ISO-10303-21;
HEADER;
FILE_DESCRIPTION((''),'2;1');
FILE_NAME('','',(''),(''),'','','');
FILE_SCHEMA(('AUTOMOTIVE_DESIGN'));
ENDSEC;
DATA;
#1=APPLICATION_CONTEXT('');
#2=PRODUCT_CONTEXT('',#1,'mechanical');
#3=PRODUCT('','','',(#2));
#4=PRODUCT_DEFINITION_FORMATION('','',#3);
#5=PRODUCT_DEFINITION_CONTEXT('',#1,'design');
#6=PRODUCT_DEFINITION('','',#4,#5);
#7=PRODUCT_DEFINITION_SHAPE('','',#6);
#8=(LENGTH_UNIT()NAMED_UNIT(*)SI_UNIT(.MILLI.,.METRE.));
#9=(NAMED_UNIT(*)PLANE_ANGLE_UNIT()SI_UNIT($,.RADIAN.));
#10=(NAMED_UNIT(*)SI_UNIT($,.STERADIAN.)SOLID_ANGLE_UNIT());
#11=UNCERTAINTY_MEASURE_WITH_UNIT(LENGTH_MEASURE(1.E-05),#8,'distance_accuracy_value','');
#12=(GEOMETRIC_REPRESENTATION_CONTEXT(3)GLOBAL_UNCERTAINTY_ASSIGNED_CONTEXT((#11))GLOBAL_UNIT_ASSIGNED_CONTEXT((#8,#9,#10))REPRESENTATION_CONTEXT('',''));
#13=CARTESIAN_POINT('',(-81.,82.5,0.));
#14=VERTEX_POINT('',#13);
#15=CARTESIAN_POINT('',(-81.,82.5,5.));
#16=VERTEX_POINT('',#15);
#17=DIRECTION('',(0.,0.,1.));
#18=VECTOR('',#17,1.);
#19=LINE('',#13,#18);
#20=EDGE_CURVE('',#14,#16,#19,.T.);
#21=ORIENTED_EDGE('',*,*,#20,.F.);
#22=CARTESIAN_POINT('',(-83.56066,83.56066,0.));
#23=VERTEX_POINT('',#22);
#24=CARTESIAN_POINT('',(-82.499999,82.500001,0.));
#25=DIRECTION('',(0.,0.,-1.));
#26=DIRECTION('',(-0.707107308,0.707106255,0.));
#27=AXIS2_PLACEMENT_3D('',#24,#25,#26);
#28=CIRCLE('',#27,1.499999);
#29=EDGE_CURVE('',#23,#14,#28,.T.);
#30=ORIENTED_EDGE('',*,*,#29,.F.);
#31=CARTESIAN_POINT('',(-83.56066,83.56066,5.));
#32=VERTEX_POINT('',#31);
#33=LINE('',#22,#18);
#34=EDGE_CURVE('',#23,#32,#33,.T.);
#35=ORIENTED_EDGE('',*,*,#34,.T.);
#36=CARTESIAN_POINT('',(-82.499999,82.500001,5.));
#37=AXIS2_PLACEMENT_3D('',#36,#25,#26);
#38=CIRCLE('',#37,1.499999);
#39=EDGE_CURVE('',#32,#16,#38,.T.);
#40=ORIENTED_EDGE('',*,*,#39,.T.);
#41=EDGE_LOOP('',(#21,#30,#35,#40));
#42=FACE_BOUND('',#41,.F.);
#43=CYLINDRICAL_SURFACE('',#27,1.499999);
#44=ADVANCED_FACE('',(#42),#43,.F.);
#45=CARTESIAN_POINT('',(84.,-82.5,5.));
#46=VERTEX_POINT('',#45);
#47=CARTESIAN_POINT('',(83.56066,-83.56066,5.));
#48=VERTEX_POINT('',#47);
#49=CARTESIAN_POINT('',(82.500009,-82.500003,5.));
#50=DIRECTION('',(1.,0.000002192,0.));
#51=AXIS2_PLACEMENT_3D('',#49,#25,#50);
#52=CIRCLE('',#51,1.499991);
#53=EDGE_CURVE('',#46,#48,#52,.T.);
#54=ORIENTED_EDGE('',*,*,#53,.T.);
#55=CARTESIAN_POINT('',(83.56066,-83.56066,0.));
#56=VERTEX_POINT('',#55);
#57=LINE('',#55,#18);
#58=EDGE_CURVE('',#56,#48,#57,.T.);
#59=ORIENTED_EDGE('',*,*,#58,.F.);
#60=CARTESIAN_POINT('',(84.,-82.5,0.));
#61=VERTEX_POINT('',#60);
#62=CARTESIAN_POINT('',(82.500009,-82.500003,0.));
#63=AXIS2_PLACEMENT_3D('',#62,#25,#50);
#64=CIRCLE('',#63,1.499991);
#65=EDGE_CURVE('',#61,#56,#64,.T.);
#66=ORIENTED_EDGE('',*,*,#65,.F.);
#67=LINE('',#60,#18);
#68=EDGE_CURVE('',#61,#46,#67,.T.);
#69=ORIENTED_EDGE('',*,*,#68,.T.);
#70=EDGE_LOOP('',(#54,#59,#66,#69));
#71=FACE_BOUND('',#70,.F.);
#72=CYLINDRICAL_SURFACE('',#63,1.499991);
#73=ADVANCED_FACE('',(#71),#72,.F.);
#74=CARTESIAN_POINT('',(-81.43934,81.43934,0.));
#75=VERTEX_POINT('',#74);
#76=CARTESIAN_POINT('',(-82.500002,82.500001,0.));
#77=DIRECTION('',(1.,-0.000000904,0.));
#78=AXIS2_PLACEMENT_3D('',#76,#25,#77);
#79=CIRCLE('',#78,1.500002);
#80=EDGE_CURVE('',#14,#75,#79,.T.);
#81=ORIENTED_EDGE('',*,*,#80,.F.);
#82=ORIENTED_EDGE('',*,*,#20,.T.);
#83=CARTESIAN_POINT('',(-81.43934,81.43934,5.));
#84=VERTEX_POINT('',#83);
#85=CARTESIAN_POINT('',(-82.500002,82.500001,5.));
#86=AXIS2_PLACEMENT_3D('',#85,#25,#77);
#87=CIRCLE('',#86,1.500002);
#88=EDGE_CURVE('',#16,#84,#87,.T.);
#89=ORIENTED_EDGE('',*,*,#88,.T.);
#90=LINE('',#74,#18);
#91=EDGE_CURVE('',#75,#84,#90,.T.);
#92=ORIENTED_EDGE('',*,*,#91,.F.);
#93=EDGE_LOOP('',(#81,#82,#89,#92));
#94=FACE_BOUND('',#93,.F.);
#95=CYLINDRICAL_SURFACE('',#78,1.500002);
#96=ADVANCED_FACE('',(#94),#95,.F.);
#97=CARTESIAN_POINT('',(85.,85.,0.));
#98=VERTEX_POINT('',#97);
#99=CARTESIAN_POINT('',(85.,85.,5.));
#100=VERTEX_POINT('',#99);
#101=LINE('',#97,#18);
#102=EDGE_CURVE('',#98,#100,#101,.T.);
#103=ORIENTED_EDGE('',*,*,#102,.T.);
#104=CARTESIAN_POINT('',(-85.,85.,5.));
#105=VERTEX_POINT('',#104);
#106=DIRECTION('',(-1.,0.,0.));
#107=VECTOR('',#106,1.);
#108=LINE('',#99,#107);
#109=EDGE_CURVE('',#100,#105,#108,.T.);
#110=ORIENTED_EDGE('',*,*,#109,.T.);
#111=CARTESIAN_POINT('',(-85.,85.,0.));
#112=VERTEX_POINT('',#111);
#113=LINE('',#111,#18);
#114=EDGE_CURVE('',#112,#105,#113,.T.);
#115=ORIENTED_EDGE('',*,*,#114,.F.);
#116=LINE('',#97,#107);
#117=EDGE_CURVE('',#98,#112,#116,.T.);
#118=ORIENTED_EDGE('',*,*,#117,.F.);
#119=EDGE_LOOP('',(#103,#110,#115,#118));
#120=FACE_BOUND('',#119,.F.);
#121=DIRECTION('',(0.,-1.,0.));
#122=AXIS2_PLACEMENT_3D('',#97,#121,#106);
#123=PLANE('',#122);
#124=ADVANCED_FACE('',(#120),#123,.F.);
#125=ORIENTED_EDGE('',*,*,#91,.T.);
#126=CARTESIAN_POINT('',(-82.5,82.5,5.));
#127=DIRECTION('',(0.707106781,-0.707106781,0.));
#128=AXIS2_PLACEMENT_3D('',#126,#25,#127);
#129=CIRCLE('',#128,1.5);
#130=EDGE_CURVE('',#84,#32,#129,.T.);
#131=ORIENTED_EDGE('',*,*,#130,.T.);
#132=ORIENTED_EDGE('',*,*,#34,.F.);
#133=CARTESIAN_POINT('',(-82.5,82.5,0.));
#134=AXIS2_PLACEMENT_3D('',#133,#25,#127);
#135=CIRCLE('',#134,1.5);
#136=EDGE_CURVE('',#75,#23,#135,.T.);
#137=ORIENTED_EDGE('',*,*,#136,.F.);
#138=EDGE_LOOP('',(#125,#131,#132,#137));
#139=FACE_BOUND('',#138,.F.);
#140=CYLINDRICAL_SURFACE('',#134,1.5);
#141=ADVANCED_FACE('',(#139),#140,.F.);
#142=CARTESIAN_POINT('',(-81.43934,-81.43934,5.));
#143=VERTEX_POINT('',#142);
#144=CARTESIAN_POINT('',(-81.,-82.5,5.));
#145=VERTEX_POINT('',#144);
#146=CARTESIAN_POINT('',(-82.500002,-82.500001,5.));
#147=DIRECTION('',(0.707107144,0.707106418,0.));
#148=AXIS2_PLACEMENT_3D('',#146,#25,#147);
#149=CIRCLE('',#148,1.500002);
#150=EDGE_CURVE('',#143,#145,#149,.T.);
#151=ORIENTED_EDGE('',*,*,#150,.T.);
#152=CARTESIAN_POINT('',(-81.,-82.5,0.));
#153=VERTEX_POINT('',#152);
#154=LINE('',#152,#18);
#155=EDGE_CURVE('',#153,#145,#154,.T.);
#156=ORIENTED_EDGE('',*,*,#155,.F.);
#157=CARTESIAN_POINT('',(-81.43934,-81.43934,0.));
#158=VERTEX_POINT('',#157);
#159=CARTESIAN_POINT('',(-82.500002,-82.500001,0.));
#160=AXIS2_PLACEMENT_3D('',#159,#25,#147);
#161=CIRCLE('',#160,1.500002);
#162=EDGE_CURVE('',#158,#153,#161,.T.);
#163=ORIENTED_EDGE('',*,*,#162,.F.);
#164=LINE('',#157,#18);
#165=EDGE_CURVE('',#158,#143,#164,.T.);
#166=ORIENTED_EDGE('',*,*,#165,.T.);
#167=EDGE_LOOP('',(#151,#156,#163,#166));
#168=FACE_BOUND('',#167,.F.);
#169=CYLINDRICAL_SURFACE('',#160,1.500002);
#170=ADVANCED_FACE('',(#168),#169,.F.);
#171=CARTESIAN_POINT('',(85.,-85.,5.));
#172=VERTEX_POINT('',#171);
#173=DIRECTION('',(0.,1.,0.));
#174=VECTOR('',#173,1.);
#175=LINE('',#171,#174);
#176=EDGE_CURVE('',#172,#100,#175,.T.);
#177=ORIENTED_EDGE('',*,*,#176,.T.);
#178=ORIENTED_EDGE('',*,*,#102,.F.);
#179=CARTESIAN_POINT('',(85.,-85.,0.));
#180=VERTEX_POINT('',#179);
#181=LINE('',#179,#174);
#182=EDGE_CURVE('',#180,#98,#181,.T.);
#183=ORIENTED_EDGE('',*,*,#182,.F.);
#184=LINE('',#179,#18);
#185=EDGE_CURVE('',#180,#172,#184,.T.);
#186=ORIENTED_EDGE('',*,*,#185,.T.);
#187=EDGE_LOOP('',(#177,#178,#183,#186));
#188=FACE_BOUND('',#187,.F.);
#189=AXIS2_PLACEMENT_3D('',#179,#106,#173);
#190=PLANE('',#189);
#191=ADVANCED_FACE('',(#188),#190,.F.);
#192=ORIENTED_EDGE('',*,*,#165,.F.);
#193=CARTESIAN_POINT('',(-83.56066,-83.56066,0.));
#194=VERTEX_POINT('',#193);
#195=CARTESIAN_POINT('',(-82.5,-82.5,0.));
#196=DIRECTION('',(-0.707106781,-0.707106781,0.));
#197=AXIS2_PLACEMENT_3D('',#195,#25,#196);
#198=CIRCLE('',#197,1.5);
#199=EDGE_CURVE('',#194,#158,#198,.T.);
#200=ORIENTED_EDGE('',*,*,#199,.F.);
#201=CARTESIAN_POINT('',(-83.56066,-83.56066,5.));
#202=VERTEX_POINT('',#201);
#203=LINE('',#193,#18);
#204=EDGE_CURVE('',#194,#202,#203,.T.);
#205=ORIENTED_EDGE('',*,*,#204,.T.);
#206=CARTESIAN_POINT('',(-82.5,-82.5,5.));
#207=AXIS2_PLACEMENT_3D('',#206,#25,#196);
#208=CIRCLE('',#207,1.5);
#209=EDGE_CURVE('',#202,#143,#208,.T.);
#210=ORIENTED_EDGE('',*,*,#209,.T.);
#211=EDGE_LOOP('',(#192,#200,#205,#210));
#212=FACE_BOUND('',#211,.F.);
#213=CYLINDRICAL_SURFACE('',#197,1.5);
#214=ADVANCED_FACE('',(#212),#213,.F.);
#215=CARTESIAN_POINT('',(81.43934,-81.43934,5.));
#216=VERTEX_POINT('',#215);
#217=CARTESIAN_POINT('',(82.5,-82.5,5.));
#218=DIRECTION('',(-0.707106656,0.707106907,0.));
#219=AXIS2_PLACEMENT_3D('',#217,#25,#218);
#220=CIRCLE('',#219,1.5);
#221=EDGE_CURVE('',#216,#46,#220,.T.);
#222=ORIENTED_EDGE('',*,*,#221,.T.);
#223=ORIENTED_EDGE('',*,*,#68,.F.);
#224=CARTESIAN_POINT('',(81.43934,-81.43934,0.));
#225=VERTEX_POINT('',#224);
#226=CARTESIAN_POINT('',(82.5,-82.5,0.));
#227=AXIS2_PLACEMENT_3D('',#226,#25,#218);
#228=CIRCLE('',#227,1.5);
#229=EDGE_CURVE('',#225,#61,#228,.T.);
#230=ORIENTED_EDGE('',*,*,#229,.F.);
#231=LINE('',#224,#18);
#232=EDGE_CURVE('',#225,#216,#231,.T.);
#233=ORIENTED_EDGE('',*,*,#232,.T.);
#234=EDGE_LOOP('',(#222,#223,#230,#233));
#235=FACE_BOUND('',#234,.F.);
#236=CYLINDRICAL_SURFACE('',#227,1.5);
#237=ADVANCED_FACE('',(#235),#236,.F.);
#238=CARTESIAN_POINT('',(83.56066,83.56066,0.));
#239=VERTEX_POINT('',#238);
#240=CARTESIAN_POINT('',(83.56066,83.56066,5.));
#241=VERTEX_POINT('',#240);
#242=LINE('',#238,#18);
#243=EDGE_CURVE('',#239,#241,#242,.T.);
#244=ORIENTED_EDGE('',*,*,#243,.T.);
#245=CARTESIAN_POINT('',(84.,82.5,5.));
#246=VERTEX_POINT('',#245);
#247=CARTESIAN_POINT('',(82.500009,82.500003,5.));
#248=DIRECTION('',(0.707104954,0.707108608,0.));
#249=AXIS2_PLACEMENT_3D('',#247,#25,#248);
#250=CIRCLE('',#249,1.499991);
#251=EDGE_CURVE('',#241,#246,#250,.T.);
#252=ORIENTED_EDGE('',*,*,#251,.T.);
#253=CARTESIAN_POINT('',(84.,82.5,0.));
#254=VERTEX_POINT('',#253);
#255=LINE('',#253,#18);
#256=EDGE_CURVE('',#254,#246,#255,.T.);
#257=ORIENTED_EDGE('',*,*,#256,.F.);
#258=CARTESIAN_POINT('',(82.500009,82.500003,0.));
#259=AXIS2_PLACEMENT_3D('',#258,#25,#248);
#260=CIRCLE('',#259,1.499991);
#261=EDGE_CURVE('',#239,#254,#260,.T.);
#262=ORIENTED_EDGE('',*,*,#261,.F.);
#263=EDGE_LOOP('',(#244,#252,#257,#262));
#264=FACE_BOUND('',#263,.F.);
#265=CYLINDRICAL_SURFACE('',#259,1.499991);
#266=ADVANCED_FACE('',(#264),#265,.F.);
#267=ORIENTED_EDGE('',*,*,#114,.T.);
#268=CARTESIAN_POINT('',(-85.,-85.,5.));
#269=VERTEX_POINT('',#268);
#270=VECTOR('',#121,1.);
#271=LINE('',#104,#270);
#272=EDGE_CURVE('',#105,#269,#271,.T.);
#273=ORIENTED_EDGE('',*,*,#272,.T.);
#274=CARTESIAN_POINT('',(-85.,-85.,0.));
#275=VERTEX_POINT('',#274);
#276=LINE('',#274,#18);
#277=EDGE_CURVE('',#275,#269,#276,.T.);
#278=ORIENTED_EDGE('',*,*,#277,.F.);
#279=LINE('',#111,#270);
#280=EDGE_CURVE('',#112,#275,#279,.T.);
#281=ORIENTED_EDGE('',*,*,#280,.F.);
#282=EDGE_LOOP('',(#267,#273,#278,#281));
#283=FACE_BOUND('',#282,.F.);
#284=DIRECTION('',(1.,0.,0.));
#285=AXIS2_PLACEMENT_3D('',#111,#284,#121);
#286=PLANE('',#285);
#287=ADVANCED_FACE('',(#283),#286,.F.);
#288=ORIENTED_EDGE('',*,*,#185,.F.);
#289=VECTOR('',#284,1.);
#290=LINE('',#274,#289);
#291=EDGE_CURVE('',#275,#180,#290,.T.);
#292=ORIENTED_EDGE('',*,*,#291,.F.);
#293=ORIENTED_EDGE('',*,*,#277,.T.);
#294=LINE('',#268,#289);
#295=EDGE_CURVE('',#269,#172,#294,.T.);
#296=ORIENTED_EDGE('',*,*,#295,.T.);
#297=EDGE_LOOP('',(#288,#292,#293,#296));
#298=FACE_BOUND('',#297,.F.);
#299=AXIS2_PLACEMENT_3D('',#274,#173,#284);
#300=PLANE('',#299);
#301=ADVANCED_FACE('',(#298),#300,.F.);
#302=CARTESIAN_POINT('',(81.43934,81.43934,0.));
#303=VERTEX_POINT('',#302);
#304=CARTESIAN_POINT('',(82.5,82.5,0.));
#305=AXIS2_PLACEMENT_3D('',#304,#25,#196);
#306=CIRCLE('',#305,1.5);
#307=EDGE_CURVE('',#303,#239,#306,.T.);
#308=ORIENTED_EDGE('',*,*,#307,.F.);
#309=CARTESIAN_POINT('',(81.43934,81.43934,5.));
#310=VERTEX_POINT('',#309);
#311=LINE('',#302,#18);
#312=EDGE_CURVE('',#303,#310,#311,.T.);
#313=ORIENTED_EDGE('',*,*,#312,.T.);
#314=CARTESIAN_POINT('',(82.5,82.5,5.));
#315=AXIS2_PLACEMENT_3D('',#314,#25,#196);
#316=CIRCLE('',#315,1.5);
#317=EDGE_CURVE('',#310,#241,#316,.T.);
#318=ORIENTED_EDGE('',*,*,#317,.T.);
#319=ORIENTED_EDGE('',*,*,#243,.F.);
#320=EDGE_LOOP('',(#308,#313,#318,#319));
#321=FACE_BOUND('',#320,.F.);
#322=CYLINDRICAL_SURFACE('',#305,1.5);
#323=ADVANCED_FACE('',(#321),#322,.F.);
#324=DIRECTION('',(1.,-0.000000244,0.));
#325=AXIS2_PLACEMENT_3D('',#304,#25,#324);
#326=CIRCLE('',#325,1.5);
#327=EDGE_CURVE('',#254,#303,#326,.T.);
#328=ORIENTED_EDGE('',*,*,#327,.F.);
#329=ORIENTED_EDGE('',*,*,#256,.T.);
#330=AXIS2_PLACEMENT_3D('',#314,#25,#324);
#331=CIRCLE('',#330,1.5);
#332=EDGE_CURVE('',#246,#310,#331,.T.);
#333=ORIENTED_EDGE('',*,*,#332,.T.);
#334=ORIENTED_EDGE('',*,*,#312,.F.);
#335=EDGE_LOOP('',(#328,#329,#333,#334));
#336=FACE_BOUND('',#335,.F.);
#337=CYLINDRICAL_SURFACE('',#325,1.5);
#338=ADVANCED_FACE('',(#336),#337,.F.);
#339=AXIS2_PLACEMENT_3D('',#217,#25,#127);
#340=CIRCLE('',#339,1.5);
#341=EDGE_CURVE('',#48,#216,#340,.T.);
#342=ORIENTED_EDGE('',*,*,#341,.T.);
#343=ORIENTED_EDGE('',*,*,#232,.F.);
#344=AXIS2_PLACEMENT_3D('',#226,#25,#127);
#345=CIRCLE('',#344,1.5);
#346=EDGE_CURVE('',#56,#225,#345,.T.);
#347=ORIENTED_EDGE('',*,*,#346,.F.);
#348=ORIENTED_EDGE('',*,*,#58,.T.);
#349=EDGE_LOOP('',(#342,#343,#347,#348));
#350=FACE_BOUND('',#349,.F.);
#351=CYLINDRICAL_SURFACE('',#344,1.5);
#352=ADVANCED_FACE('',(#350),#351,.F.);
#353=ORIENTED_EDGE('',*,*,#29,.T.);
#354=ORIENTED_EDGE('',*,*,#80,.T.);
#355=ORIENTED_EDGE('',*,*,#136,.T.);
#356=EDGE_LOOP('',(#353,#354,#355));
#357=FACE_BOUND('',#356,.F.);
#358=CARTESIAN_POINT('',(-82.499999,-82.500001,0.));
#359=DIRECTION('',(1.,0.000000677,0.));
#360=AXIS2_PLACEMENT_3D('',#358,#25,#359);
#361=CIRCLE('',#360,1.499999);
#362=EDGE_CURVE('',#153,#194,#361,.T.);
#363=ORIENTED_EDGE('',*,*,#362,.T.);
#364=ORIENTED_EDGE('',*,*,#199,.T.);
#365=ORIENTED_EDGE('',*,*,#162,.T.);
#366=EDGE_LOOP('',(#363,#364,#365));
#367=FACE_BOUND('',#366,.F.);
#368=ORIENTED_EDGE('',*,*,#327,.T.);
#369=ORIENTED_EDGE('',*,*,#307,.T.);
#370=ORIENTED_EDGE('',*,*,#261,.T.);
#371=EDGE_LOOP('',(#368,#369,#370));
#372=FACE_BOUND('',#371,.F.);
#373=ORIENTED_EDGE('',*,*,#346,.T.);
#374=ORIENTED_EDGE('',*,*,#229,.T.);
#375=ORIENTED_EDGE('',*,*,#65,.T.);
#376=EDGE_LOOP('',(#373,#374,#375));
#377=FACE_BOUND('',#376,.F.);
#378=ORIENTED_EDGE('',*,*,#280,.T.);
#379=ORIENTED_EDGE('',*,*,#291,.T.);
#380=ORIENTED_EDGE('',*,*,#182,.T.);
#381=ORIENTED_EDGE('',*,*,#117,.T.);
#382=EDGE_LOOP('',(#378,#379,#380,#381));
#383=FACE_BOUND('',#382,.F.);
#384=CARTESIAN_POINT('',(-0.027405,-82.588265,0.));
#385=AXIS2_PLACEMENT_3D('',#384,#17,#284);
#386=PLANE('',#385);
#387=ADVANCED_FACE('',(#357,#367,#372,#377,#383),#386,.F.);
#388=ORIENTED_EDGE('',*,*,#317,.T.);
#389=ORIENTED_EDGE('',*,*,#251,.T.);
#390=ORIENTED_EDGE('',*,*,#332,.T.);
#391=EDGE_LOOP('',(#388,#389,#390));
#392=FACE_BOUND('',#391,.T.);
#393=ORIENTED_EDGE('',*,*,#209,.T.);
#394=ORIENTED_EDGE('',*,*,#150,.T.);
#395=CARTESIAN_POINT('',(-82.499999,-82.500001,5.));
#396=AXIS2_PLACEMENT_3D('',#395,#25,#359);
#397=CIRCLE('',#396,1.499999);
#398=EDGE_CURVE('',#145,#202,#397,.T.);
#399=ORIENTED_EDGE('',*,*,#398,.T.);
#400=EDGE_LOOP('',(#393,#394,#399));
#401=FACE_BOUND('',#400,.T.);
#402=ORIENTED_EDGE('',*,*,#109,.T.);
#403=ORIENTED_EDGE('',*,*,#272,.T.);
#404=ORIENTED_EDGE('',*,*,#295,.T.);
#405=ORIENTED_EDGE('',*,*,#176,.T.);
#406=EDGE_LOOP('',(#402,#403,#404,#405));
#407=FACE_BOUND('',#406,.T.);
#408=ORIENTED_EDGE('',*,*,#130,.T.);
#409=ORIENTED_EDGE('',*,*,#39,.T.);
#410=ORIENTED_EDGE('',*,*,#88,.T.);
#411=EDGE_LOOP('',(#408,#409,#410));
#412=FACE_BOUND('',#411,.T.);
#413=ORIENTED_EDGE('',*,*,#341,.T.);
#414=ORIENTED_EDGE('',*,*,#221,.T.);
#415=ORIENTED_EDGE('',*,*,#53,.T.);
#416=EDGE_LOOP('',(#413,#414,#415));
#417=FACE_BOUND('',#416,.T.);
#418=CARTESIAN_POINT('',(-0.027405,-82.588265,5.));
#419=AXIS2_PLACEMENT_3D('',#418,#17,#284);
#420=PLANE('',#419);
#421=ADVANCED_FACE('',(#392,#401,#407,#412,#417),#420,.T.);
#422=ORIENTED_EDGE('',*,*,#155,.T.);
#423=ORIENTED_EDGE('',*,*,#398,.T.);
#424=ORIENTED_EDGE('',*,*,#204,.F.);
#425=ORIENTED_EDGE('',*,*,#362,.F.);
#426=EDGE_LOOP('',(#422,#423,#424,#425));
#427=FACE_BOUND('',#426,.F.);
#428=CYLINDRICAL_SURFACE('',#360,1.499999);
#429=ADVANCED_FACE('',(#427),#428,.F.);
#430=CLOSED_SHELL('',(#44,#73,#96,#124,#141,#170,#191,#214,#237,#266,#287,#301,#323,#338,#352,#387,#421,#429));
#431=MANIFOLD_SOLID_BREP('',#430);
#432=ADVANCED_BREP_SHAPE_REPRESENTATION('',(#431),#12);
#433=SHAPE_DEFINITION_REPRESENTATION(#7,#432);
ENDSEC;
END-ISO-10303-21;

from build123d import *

# Parameters (mm, degrees)
F0_W     = 160.000002
F0_H     = 160.000002
F1_DEPTH = 5


with BuildPart() as f1:
    # F0 (on Top) → F1 (new body)
    with BuildSketch(Plane.XY):
        with BuildLine():
            Line((-85, -85), (85, -85))
            Line((85, -85), (83.56066, -83.56066))
            ThreePointArc((83.56066, -83.56066), (81.43934, -83.56066), (81.43934, -81.43934))
            Line((81.43934, -81.43934), (80.000001, -80.000001))
            Line((80.000001, -80.000001), (-80.000001, -80.000001))
            Line((-80.000001, -80.000001), (-81.43934, -81.43934))
            ThreePointArc((-81.43934, -81.43934), (-81.114181, -81.925975), (-81, -82.5))
            ThreePointArc((-81, -82.5), (-81.925975, -83.88582), (-83.56066, -83.56066))
            Line((-83.56066, -83.56066), (-85, -85))
        make_face()
        with BuildLine():
            Line((-85, 85), (-85, -85))
            Line((-85, -85), (-83.56066, -83.56066))
            ThreePointArc((-83.56066, -83.56066), (-83.56066, -81.43934), (-81.43934, -81.43934))
            Line((-81.43934, -81.43934), (-80.000001, -80.000001))
            Line((-80.000001, -80.000001), (-80.000001, 80.000001))
            Line((-80.000001, 80.000001), (-81.43934, 81.43934))
            ThreePointArc((-81.43934, 81.43934), (-83.56066, 81.43934), (-83.56066, 83.56066))
            Line((-83.56066, 83.56066), (-85, 85))
        make_face()
        with BuildLine():
            Line((83.56066, -83.56066), (85, -85))
            Line((85, -85), (85, 85))
            Line((85, 85), (83.56066, 83.56066))
            ThreePointArc((83.56066, 83.56066), (83.88582, 83.074025), (84, 82.5))
            ThreePointArc((84, 82.5), (83.074025, 81.114181), (81.43934, 81.43934))
            Line((81.43934, 81.43934), (80.000001, 80.000001))
            Line((80.000001, 80.000001), (80.000001, -80.000001))
            Line((80.000001, -80.000001), (81.43934, -81.43934))
            ThreePointArc((81.43934, -81.43934), (83.074025, -81.114181), (84, -82.5))
            ThreePointArc((84, -82.5), (83.88582, -83.074025), (83.56066, -83.56066))
        make_face()
        with BuildLine():
            Line((83.56066, 83.56066), (85, 85))
            Line((85, 85), (-85, 85))
            Line((-85, 85), (-83.56066, 83.56066))
            ThreePointArc((-83.56066, 83.56066), (-81.925975, 83.88582), (-81, 82.5))
            ThreePointArc((-81, 82.5), (-81.114181, 81.925975), (-81.43934, 81.43934))
            Line((-81.43934, 81.43934), (-80.000001, 80.000001))
            Line((-80.000001, 80.000001), (80.000001, 80.000001))
            Line((80.000001, 80.000001), (81.43934, 81.43934))
            ThreePointArc((81.43934, 81.43934), (81.43934, 83.56066), (83.56066, 83.56066))
        make_face()
        Rectangle(F0_W, F0_H)
    extrude(amount=F1_DEPTH)


solid = f1.part
